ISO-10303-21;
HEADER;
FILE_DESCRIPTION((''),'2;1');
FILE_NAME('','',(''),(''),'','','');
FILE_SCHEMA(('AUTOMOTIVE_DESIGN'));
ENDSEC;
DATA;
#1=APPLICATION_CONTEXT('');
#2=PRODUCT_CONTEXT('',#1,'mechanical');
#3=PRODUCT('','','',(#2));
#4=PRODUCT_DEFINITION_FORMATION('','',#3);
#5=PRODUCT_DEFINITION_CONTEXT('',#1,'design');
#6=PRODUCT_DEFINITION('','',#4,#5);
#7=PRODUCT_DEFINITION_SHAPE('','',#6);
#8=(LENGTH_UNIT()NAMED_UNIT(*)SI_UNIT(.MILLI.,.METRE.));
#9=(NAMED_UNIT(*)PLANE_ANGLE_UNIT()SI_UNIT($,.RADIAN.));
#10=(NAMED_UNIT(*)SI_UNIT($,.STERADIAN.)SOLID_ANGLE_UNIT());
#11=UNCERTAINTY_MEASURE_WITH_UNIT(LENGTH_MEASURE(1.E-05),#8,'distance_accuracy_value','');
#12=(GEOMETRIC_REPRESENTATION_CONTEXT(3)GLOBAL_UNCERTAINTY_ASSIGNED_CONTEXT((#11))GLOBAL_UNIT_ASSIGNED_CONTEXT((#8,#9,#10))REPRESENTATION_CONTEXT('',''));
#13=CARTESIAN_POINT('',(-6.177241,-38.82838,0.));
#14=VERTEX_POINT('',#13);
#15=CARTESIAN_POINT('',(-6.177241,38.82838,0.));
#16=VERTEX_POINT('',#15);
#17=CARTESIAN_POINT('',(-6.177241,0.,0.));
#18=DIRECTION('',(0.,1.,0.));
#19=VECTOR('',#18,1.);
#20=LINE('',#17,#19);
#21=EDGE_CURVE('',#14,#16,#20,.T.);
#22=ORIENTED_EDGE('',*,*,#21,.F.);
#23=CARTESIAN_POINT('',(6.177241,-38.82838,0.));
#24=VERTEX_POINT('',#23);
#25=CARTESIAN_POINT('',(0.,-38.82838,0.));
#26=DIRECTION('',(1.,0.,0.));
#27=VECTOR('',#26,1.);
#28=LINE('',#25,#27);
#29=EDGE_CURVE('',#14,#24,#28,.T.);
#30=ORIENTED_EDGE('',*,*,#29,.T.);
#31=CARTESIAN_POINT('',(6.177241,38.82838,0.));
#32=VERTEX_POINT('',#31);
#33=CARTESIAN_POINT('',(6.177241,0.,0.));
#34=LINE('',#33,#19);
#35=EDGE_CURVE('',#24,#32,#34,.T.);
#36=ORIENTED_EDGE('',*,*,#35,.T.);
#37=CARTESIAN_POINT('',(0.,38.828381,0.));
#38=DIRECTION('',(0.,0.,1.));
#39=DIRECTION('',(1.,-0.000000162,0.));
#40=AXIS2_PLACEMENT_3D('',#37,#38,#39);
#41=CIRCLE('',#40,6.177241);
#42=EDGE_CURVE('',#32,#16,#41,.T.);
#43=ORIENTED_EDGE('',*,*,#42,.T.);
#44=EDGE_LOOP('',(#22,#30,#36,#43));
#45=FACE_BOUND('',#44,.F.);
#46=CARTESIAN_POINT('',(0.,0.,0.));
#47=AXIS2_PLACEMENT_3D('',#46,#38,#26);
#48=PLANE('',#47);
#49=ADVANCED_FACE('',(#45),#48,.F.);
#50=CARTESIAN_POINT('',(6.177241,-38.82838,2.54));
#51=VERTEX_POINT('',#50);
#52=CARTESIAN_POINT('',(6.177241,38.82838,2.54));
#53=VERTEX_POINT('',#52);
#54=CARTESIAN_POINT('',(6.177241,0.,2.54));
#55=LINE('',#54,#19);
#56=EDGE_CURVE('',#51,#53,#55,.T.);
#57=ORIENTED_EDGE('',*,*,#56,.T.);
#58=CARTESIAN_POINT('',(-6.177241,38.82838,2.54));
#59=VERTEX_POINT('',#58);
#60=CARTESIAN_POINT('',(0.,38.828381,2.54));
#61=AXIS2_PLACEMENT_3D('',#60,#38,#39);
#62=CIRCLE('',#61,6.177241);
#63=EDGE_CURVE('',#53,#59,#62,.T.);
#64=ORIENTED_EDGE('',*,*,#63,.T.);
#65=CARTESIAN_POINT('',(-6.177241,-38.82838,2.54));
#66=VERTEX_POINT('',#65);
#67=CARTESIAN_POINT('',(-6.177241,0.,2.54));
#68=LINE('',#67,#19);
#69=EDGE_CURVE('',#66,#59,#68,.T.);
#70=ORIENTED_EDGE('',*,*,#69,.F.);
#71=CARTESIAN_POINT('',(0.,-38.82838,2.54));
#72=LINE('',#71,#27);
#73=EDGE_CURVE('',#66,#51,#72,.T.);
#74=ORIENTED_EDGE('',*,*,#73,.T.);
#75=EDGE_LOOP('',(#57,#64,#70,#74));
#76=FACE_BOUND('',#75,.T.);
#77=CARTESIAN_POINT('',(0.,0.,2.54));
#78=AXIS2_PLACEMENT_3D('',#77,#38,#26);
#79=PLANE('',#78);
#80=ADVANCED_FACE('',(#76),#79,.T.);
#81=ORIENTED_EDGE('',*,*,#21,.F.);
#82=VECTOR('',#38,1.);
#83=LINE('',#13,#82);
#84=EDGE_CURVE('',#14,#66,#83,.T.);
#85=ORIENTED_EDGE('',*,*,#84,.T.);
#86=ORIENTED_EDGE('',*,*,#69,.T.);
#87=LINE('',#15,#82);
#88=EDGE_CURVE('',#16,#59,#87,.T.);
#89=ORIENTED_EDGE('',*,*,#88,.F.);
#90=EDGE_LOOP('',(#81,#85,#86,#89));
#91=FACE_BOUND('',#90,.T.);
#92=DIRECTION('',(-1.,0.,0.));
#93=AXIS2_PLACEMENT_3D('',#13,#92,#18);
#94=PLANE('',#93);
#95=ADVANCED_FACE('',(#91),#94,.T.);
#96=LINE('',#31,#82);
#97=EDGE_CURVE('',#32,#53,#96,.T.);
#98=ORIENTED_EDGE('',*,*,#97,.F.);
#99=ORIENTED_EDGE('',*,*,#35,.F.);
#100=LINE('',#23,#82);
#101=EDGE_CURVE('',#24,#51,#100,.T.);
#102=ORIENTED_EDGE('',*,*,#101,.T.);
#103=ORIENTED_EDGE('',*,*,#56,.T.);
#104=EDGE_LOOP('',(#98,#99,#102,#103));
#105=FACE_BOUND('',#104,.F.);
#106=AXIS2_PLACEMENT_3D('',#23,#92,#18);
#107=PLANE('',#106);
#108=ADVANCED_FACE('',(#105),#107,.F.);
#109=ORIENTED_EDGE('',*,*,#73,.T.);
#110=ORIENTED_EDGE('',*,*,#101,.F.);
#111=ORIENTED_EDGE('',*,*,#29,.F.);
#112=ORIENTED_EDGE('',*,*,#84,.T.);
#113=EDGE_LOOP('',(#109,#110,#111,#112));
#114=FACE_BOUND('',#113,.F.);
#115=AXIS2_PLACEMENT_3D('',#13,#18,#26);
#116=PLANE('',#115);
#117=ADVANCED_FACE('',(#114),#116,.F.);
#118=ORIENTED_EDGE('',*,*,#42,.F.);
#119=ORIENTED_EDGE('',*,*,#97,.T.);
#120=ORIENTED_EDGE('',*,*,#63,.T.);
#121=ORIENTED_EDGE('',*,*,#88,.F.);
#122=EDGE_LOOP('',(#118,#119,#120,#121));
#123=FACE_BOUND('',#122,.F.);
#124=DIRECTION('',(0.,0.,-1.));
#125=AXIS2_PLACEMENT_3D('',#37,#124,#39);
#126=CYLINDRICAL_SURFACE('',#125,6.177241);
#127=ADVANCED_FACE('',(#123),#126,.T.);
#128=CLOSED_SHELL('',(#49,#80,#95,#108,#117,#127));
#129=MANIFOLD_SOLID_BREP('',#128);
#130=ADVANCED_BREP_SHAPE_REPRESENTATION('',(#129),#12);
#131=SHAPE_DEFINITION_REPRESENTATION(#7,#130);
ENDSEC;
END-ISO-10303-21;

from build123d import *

# Parameters (mm, degrees)
F0_W     = 12.354482
F0_H     = 77.65676
F1_DEPTH = 2.54


with BuildPart() as f1:
    # F0 (on Top) → F1 (new body)
    with BuildSketch(Plane.XY):
        Rectangle(F0_W, F0_H)
        with BuildLine():
            Line((-6.177241, 38.82838), (6.177241, 38.82838))
            ThreePointArc((6.177241, 38.82838), (0, 45.005622), (-6.177241, 38.82838))
        make_face()
    extrude(amount=F1_DEPTH)


solid = f1.part
